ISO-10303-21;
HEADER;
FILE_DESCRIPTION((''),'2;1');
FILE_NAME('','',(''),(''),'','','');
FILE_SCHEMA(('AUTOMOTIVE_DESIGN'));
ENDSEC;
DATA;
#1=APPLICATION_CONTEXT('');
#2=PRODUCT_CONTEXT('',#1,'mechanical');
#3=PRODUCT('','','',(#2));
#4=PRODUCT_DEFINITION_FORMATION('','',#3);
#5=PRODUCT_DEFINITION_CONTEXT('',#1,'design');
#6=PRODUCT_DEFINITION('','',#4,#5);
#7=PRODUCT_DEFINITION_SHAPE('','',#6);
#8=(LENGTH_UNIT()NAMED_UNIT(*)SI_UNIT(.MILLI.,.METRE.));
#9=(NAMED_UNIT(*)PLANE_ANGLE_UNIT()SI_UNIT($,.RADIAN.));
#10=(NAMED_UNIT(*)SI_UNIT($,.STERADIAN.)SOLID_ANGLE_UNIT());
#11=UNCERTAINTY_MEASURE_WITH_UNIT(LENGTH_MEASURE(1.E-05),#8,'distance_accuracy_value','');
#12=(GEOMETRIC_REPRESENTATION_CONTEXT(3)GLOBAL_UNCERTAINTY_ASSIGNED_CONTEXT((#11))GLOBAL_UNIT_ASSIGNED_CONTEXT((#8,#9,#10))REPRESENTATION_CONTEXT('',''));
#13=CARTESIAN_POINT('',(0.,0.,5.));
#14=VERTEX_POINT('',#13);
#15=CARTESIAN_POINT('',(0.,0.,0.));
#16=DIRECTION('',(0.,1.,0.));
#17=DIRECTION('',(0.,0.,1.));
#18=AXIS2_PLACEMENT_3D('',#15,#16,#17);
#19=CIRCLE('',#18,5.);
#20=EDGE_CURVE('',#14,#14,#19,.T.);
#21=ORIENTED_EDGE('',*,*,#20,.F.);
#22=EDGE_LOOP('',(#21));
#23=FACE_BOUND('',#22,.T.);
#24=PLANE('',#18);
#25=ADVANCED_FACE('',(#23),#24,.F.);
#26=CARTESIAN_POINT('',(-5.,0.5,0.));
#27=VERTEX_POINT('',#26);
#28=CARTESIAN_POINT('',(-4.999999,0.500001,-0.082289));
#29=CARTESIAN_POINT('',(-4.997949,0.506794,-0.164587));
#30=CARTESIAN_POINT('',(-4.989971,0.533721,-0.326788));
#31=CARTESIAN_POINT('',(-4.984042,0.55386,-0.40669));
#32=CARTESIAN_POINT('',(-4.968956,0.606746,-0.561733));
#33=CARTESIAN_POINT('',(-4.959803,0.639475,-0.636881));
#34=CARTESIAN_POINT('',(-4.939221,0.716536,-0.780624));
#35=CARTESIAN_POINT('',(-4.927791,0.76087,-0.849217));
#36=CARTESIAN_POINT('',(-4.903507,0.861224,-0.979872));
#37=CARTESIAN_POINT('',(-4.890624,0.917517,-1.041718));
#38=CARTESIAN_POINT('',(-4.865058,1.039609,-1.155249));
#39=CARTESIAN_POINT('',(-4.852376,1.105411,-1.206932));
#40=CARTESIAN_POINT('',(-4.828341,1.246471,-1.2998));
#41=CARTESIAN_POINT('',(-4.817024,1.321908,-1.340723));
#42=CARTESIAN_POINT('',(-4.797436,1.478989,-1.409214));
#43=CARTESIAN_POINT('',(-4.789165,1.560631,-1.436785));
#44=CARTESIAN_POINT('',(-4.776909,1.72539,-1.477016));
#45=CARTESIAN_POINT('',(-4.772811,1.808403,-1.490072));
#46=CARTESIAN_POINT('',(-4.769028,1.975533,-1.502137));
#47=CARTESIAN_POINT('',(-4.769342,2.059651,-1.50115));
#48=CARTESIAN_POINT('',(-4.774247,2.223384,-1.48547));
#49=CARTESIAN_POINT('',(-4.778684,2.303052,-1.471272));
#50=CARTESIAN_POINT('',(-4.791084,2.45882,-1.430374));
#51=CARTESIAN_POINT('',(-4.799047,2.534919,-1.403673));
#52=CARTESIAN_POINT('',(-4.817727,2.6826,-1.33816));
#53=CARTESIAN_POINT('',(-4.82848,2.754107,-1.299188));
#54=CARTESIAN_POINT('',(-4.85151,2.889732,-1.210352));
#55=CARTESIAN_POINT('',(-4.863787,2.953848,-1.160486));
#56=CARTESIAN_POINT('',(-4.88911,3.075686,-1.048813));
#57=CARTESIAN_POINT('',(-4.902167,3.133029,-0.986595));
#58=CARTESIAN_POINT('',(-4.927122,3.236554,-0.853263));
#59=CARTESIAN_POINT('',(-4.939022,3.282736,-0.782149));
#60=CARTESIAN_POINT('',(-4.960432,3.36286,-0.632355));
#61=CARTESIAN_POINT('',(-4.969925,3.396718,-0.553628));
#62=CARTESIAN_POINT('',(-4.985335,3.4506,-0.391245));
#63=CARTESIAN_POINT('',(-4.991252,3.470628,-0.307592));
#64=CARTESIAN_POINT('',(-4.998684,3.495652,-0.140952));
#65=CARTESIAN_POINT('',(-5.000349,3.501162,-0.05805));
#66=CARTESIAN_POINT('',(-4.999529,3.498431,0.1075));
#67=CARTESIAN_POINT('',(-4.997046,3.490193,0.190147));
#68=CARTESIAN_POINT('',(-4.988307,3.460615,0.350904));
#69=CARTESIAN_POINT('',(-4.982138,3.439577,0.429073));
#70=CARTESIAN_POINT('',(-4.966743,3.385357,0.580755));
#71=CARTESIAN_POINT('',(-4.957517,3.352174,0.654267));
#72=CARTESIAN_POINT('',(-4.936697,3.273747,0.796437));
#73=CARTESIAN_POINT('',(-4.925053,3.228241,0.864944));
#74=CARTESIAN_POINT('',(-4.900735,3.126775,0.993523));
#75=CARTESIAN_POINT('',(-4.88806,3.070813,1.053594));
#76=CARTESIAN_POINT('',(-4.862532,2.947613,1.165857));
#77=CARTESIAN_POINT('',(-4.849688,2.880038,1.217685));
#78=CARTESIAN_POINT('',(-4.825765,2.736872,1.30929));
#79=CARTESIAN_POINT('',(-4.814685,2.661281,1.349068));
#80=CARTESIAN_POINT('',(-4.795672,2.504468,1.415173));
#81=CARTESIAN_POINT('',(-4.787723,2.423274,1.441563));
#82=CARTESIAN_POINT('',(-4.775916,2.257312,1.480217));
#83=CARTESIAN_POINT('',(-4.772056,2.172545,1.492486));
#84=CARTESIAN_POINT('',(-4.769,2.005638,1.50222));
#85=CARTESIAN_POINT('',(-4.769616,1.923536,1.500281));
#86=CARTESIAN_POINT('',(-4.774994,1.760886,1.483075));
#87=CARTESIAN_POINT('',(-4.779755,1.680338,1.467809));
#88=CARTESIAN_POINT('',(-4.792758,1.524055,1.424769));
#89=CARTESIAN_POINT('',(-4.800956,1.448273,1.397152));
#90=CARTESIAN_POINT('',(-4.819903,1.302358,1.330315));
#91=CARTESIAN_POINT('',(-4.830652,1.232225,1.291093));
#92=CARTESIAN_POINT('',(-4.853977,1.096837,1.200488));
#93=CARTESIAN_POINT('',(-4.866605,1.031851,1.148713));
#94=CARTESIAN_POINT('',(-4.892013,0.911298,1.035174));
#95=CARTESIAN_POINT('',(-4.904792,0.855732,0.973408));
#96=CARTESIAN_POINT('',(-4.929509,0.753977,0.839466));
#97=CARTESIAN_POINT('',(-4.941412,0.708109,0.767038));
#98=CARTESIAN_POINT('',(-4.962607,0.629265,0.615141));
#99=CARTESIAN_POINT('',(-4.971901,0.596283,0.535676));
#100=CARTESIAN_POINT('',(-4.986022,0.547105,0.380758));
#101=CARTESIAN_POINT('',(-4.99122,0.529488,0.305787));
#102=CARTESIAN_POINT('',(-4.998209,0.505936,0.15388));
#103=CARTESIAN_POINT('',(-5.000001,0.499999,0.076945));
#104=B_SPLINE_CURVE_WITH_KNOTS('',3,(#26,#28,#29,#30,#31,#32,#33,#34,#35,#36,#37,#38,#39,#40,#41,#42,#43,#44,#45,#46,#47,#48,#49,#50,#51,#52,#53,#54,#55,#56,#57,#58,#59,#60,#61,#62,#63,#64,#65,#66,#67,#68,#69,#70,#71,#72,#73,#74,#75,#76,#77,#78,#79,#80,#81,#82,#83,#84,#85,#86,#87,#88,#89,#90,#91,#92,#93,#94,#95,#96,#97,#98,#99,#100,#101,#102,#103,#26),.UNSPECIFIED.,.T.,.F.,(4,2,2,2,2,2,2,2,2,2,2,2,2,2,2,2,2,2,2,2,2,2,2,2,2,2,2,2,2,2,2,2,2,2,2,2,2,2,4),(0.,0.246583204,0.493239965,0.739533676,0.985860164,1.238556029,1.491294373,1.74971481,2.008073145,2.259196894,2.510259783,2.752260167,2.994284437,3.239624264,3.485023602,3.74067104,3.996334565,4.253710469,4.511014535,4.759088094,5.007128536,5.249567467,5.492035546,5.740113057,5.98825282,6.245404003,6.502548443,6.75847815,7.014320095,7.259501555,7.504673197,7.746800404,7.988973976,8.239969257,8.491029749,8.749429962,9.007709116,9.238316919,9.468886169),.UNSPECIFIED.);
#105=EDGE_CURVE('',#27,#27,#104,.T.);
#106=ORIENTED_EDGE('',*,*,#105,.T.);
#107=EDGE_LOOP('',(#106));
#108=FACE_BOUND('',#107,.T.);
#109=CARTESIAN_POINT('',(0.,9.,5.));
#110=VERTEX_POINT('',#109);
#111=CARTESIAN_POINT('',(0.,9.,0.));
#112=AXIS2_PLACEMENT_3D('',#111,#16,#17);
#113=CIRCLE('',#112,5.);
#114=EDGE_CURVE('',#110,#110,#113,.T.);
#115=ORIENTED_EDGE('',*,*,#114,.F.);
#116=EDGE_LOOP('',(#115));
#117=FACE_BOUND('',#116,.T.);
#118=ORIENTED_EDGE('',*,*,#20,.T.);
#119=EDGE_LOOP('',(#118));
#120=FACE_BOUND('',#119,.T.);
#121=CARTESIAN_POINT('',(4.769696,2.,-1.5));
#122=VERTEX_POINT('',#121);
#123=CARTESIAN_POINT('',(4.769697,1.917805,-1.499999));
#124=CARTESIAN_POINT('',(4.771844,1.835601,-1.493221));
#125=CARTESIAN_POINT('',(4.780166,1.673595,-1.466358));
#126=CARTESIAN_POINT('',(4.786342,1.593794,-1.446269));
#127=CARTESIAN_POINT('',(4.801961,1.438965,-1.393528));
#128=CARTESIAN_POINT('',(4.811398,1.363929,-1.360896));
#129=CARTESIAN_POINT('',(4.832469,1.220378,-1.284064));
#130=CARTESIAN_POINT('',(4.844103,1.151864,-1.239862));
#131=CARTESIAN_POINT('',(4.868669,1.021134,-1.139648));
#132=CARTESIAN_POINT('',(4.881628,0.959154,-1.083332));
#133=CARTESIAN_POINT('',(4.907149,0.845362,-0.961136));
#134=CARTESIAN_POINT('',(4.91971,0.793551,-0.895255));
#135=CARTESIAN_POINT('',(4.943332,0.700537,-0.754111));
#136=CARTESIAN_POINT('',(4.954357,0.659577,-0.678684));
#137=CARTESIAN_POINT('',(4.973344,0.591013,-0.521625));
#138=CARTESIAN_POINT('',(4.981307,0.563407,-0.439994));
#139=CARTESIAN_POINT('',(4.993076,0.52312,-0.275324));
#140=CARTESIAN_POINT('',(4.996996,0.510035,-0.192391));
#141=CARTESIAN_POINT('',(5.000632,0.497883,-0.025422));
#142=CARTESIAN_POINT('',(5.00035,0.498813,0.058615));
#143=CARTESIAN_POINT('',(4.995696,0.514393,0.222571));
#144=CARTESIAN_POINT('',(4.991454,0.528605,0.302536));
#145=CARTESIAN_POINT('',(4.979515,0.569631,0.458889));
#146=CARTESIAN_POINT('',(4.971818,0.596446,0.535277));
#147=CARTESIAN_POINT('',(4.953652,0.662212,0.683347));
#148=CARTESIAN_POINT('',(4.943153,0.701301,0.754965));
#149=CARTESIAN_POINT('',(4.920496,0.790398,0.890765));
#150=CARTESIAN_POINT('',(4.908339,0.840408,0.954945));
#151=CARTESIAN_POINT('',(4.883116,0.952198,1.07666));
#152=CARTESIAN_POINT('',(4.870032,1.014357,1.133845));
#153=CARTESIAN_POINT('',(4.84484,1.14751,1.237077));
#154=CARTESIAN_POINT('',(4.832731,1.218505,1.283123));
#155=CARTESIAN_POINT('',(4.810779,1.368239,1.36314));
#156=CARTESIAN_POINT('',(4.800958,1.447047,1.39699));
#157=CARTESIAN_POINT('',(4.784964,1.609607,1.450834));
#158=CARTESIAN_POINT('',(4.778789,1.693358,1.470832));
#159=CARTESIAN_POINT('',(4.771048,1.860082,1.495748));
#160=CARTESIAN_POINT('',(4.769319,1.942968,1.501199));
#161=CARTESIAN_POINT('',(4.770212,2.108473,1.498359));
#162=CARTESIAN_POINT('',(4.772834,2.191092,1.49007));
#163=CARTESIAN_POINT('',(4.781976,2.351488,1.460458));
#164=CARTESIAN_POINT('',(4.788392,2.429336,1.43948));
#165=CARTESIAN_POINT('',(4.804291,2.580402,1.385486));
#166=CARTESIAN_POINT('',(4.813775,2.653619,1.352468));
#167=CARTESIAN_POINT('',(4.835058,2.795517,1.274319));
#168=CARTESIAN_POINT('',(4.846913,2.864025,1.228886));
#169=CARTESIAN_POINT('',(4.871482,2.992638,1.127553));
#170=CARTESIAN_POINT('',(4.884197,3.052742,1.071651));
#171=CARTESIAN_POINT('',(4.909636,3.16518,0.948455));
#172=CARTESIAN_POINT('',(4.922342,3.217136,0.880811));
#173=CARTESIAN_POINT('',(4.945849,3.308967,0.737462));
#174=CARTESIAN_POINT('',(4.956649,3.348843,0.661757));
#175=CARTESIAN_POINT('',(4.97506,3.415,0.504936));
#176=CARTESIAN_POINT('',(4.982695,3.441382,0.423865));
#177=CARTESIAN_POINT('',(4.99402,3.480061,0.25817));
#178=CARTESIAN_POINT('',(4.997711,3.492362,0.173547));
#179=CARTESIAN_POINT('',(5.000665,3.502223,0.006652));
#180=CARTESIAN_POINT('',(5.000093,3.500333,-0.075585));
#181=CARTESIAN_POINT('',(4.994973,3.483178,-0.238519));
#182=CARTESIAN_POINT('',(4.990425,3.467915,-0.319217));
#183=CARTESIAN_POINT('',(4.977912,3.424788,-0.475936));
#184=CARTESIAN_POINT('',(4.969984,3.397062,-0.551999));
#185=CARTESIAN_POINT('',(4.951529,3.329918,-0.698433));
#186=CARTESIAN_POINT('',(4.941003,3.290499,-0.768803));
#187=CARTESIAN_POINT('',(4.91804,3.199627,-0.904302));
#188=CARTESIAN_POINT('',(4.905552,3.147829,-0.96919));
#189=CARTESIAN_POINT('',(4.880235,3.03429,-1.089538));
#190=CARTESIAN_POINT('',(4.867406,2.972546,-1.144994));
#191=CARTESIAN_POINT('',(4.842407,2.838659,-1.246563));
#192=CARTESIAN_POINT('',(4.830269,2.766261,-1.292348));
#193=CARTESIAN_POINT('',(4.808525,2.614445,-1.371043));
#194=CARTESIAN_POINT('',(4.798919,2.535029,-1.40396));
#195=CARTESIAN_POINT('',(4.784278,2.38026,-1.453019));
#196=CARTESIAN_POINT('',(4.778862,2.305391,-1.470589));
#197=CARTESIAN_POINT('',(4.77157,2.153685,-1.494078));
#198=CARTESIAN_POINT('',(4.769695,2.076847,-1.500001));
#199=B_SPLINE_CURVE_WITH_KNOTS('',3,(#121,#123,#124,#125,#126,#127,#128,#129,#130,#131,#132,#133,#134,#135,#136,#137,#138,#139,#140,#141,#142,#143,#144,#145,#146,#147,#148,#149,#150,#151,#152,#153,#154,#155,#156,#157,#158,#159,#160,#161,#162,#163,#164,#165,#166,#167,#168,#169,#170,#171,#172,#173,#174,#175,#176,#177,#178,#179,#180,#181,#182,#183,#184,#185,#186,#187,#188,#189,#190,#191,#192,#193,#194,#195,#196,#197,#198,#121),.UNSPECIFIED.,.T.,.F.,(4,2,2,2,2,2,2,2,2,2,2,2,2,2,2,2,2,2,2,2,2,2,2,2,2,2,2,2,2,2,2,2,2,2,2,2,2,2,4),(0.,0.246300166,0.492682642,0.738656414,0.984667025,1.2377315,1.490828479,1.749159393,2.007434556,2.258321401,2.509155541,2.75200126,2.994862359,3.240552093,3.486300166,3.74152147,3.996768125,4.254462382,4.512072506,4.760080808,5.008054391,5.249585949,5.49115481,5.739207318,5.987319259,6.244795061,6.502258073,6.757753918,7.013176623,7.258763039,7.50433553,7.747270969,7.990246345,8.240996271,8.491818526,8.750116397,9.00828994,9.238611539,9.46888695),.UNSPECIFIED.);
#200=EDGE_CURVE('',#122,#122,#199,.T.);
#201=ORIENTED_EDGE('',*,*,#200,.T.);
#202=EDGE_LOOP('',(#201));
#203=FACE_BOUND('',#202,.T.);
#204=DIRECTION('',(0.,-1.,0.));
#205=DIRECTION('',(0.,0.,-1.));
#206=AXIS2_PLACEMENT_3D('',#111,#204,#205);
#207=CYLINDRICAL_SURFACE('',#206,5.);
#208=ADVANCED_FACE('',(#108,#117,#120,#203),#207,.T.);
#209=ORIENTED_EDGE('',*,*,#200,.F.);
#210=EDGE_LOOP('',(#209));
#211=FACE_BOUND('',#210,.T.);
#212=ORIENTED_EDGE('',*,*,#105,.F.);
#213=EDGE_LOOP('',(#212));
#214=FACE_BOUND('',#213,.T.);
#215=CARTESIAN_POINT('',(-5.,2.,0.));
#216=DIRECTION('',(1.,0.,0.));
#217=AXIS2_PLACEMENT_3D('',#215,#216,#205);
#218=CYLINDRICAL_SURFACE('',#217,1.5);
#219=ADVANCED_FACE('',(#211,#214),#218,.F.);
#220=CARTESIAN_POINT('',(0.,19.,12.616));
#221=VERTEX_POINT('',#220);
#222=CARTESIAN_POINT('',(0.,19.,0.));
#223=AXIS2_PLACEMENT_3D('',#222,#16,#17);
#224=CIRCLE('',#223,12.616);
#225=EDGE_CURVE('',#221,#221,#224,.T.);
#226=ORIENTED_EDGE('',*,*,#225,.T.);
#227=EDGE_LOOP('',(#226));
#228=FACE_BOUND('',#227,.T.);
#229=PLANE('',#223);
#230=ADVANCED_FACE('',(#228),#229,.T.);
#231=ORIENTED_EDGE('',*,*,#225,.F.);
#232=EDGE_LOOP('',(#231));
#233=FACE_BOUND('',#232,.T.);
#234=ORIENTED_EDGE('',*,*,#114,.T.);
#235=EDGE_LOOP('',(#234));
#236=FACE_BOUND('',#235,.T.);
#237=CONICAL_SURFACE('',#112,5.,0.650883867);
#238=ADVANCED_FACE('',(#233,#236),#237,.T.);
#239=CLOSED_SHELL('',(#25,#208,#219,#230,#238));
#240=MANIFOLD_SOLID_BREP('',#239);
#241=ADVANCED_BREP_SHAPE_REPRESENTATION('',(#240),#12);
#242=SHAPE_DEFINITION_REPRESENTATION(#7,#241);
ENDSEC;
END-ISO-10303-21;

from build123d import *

# Parameters (mm, degrees)
SKETCH1_R             = 5
BODY_DEPTH            = 9
PIN_INSERT_DEPTH      = 12.445523142
PIN_INSERT_DEPTH_BACK = 12.445523142
SKETCH2_R             = 1.5
HEAD_SA_R             = 12.616


with BuildPart() as part:
    # Sketch1 → body (new body)
    with BuildSketch(Plane(origin=(0, 0, 0), x_dir=(1, 0, 0), z_dir=(0, 1, 0))):
        with Locations(Location((0, 0, 0), (0, 0, 270))):
            Circle(SKETCH1_R)
    extrude(amount=BODY_DEPTH)

    # Sketch2 → pin insert (cut, two sides: drawn at the far end of the back side and taken through both)
    with BuildSketch(Plane(origin=(0, 0, 0), x_dir=(0, 0, -1), z_dir=(1, 0, 0)).offset(-PIN_INSERT_DEPTH_BACK)):
        with Locations((0, 2)):
            Circle(SKETCH2_R)
    extrude(amount=PIN_INSERT_DEPTH + PIN_INSERT_DEPTH_BACK, mode=Mode.SUBTRACT)

    # head SA → section 0 of cone
    with BuildSketch(Plane(origin=(0, 19, 0), x_dir=(1, 0, 0), z_dir=(0, 1, 0)), mode=Mode.PRIVATE) as cone_s0:
        Circle(HEAD_SA_R)
    # loft up to a face of the part (cone)
    loft([cone_s0.sketch, part.faces().sort_by_distance((0, 9, 0))[0]])


solid = part.part
